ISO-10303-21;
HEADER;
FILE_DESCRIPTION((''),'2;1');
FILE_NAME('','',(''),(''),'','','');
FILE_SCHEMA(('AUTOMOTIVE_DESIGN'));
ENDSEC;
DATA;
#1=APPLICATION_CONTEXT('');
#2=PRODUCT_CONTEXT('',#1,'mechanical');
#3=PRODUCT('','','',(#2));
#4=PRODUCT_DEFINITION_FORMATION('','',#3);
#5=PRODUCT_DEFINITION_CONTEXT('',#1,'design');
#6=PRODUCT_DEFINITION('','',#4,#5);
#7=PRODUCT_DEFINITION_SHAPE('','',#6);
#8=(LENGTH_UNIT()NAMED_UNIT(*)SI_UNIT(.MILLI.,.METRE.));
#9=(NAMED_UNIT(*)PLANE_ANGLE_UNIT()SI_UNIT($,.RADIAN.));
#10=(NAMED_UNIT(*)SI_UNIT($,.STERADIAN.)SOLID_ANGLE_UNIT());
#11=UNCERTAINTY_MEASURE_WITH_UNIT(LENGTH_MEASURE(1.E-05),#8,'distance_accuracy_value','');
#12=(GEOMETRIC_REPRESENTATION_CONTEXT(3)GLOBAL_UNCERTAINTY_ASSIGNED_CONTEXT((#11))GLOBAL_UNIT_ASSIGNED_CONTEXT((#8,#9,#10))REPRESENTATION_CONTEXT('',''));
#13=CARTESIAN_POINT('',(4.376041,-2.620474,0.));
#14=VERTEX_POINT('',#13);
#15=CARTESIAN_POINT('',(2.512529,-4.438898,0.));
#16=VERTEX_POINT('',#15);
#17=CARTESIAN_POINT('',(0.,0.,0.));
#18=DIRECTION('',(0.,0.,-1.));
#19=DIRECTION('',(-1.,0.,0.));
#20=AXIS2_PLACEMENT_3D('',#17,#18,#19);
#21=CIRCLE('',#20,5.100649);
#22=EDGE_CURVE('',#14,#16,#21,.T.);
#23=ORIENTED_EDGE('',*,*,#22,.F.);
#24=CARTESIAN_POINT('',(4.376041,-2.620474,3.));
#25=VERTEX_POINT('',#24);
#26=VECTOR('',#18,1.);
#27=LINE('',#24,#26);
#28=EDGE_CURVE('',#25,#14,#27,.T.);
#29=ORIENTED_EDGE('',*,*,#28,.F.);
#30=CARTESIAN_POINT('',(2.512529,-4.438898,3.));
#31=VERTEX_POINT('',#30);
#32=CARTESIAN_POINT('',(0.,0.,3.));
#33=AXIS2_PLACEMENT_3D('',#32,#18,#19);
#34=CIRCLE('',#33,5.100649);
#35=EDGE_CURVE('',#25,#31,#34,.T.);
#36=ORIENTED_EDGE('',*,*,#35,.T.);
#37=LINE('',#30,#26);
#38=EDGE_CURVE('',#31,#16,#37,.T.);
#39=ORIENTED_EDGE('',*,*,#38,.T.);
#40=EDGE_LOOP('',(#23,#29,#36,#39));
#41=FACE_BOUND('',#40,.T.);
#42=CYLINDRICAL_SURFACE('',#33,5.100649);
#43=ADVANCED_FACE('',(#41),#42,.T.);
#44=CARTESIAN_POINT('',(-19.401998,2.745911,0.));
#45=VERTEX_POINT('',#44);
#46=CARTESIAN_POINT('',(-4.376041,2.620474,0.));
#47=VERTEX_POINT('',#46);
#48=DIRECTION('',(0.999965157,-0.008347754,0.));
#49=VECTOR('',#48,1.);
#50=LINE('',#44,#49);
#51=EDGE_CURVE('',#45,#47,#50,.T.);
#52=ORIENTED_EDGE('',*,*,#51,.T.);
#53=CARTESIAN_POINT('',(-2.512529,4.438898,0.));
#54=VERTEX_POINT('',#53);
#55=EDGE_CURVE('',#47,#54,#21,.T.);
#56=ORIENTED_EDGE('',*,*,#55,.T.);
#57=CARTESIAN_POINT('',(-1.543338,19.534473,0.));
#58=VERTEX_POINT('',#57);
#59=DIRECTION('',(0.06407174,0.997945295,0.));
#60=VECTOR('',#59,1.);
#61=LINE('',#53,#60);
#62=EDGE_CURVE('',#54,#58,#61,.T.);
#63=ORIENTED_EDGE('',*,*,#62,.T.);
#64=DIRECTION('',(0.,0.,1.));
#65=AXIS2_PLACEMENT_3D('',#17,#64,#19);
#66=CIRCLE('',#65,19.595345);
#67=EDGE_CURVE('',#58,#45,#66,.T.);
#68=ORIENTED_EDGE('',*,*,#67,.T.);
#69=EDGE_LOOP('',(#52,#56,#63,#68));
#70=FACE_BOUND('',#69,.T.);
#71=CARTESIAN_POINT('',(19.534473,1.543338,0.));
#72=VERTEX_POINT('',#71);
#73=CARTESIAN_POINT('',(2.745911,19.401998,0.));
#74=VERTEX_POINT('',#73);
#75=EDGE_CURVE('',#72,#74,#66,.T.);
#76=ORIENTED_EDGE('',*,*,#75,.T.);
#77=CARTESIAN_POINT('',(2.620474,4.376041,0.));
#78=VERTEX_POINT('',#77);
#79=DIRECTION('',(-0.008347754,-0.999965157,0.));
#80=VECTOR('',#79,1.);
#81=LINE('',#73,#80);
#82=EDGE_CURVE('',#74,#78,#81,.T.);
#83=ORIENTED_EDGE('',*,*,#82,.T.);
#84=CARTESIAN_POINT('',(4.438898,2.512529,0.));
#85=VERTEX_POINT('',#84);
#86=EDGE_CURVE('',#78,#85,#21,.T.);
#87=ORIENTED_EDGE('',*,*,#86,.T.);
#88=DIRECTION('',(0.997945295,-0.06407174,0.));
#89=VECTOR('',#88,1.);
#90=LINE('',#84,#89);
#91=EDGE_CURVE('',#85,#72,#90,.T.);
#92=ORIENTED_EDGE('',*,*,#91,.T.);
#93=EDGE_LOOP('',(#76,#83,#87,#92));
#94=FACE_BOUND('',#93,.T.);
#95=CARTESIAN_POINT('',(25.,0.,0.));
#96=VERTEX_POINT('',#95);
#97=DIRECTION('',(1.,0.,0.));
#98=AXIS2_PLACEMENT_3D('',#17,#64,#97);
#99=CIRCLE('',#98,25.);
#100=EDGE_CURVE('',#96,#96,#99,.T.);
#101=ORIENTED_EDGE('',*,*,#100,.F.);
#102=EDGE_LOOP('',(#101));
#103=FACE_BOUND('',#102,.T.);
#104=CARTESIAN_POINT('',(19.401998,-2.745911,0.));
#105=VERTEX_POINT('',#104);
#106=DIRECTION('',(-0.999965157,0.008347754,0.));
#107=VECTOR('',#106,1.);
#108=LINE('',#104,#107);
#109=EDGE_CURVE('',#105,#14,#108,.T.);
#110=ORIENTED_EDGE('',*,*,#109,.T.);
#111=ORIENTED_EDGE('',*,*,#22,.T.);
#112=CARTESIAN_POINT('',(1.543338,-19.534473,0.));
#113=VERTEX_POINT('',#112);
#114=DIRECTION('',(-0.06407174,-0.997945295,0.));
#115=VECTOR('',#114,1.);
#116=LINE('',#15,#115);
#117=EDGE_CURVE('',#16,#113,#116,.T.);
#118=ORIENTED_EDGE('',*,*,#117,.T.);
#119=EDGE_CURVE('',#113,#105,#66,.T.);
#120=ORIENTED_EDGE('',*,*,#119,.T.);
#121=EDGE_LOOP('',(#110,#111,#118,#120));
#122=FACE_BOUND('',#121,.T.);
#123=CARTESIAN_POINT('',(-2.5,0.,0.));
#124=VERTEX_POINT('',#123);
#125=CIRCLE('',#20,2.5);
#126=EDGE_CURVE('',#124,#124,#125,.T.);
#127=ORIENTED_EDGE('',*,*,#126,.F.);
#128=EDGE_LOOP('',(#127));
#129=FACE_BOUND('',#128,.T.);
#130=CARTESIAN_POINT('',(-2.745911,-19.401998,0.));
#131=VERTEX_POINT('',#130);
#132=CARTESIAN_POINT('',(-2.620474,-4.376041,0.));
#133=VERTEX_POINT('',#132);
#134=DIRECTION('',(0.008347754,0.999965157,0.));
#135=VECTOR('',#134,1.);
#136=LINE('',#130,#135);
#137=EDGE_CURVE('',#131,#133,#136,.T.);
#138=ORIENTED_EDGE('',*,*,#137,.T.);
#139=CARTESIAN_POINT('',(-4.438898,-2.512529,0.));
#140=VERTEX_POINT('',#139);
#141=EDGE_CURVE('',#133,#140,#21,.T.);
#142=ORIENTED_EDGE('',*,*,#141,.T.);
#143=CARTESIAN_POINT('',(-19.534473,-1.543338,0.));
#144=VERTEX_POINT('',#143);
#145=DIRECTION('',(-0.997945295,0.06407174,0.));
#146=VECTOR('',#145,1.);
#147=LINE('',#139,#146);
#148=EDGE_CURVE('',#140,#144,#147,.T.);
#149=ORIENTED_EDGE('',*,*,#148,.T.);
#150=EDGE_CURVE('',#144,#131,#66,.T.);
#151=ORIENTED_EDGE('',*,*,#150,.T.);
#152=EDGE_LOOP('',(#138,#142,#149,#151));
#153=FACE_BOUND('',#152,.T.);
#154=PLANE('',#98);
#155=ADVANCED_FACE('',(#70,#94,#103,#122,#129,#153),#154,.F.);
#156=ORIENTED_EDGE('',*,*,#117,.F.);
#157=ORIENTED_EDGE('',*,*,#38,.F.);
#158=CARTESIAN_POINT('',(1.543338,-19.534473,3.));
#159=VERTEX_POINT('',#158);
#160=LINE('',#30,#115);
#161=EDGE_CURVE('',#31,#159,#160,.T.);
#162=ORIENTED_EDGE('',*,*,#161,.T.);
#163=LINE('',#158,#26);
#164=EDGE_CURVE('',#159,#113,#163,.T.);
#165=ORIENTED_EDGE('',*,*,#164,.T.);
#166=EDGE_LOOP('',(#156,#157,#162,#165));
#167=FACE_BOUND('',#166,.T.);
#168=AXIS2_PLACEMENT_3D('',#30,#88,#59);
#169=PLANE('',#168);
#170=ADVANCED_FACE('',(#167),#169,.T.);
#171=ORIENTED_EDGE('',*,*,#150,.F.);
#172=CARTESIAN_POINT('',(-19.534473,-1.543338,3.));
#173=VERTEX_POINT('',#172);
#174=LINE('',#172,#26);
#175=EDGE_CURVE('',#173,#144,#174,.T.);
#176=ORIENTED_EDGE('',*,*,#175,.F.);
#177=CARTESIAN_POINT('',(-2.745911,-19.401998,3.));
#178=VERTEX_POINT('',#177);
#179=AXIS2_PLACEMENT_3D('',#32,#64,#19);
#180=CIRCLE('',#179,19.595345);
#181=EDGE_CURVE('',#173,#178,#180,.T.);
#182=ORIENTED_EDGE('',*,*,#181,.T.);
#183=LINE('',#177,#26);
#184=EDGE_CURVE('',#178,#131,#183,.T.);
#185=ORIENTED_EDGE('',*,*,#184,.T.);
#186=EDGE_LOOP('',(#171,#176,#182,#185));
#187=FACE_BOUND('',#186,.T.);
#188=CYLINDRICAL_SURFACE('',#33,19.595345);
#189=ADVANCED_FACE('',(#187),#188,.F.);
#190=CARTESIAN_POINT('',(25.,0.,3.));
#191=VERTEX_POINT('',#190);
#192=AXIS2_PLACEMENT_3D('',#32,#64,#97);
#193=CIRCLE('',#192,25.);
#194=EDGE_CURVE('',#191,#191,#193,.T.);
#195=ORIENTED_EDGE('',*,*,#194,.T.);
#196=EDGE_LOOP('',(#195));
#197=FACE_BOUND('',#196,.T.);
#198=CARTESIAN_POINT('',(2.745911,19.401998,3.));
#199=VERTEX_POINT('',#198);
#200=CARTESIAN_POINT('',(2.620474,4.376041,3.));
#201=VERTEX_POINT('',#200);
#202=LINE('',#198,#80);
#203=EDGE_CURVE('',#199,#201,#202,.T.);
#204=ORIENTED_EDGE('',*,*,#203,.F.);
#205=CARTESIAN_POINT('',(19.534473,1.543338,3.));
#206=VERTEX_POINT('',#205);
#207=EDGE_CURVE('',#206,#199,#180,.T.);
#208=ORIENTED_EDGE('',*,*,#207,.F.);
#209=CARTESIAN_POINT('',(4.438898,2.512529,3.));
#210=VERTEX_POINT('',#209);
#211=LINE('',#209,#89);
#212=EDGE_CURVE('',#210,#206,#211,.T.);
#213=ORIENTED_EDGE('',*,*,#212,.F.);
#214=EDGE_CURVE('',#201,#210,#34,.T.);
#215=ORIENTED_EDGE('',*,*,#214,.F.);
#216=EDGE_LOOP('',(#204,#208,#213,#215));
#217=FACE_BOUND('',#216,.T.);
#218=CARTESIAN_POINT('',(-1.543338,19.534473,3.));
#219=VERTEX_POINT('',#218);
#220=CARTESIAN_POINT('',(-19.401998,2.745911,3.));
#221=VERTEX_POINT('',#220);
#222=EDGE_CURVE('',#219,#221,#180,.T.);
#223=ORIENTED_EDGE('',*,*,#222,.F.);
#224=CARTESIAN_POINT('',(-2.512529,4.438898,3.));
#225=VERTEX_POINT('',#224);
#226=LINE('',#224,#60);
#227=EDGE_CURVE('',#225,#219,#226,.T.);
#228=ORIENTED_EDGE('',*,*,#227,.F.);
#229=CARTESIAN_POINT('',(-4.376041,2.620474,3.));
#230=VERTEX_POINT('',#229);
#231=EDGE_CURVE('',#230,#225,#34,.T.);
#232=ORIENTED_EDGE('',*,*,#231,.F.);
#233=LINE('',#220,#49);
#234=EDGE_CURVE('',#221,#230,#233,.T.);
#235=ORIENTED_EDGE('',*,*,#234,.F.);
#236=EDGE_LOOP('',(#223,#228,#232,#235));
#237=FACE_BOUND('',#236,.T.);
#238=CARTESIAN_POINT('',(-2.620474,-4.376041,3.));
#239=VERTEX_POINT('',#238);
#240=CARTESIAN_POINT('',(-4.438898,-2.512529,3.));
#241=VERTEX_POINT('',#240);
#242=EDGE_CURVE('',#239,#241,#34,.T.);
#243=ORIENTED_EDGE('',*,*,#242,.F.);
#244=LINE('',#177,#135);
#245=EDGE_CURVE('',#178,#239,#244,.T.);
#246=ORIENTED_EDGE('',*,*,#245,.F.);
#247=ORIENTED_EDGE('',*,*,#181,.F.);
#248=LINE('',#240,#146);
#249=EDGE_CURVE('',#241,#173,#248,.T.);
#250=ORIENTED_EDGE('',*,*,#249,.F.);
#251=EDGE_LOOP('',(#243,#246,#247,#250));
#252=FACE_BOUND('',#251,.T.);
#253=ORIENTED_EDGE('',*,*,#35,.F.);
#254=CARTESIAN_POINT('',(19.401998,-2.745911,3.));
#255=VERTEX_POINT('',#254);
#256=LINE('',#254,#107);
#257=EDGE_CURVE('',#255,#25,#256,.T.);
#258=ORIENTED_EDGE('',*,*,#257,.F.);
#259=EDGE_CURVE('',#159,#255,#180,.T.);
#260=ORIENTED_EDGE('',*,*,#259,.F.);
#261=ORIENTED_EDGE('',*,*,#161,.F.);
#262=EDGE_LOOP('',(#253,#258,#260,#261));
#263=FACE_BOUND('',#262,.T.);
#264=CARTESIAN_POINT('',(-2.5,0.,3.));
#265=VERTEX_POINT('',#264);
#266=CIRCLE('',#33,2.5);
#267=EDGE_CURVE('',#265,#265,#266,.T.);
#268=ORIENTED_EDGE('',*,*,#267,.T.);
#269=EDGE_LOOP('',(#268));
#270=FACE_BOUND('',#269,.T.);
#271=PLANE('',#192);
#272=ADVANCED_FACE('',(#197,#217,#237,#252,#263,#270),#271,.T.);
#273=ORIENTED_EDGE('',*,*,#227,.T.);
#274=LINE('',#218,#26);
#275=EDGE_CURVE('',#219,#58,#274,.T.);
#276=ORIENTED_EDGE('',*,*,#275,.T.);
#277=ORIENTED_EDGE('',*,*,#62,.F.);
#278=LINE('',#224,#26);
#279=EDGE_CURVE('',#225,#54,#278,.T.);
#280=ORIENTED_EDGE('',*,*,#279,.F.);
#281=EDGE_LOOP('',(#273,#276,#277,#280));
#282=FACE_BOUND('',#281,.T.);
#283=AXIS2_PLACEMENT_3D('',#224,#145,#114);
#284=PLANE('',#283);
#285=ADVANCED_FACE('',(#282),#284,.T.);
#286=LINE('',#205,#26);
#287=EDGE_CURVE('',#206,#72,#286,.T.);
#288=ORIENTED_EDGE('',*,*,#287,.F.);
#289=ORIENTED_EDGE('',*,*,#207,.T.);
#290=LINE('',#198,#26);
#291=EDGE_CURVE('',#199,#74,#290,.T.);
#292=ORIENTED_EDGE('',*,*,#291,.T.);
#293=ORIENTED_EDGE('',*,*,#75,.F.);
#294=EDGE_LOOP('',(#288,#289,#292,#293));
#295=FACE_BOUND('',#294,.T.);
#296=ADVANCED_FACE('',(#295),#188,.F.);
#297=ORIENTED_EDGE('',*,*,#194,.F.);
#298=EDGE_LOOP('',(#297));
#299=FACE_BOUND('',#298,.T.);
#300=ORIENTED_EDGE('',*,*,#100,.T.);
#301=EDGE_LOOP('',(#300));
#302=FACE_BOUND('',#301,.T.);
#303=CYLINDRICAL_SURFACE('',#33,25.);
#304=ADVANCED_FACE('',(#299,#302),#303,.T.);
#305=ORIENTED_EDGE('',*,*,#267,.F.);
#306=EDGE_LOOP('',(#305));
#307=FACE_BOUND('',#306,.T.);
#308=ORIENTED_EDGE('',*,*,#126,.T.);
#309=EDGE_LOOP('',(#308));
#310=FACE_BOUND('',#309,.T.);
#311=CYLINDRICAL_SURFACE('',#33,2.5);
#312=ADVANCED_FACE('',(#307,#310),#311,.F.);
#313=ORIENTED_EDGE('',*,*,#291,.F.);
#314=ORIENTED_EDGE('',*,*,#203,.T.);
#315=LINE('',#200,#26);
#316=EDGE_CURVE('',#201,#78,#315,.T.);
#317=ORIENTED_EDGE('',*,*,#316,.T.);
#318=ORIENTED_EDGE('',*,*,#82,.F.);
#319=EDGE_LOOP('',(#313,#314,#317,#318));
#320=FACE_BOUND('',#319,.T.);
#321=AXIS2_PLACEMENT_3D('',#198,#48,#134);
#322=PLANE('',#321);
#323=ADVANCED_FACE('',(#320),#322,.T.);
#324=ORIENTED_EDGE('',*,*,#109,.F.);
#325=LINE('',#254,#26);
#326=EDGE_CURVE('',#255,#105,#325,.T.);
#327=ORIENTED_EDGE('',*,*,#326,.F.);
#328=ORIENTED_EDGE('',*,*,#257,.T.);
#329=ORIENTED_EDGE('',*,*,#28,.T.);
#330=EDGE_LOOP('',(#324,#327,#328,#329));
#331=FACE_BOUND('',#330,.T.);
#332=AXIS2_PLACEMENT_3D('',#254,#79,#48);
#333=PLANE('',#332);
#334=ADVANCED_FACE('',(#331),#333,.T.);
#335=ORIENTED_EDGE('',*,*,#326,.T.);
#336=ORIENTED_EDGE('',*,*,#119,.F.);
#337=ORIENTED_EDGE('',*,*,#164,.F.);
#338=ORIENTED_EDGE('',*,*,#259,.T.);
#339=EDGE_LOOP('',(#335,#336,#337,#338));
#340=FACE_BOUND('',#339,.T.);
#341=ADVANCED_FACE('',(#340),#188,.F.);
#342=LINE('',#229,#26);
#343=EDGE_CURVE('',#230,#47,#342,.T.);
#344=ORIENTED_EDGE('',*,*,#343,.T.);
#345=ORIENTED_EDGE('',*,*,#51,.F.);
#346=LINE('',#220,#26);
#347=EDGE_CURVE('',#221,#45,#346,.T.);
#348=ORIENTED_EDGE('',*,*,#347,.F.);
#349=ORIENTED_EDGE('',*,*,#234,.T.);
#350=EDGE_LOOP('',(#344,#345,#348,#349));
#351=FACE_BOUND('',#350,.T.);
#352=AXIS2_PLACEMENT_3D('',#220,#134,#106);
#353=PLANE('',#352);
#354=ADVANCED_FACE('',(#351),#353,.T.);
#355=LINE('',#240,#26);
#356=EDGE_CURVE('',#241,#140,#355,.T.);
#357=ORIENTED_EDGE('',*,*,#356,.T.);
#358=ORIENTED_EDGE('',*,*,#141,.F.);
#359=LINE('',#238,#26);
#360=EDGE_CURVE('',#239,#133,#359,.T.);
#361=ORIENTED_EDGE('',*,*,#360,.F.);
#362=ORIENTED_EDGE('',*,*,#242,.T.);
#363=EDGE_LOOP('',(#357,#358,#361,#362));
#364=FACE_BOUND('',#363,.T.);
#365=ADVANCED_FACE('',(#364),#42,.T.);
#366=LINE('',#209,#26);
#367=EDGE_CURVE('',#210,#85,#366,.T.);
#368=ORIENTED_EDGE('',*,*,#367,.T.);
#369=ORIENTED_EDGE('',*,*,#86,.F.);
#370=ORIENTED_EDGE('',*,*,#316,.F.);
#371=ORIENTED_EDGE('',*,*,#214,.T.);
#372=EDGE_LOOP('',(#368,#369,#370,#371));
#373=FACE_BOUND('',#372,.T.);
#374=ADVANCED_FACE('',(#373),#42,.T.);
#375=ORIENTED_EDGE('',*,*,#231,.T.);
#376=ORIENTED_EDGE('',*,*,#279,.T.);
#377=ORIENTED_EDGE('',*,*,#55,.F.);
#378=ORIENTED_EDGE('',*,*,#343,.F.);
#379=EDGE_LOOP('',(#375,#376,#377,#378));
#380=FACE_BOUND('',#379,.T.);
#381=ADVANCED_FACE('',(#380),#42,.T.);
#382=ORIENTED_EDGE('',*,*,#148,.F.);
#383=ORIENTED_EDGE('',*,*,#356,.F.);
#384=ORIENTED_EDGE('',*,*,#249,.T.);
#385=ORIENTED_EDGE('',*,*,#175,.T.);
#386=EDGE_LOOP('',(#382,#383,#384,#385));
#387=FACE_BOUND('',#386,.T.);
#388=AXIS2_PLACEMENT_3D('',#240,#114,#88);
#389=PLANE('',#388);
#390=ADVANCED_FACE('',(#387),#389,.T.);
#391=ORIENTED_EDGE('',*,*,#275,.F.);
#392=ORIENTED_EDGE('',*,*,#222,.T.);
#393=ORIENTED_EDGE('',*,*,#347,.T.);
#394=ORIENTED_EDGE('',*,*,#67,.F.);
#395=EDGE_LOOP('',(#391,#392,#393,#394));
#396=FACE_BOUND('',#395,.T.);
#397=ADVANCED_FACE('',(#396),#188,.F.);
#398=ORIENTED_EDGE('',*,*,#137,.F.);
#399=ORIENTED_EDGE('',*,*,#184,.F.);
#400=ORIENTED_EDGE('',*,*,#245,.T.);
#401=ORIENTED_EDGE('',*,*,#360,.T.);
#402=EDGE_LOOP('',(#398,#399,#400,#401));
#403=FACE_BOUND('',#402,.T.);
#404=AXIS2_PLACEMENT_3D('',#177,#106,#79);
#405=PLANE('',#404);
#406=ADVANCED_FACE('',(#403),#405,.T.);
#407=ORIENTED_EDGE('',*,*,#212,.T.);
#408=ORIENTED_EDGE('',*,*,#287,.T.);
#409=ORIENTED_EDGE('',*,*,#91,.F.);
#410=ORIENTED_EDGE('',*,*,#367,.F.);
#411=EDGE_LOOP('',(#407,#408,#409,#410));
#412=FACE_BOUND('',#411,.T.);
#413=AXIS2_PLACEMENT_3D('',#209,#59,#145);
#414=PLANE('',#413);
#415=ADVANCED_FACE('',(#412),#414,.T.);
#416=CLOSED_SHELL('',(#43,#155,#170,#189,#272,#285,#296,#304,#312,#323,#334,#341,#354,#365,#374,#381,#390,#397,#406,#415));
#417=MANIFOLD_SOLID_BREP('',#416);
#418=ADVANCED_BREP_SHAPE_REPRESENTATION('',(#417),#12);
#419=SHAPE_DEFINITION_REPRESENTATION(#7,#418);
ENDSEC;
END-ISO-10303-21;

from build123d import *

# Parameters (mm, degrees)
SKETCH1_R               = 25
BOSS_EXTRUDE1_DEPTH     = 3
CUT_EXTRUDE1_DEPTH      = 36.482389998
CUT_EXTRUDE1_DEPTH_BACK = 36.482389998
SKETCH2_R               = 2.5


with BuildPart() as part:
    # Sketch1 → Boss-Extrude1 (new body)
    with BuildSketch(Plane.XY):
        Circle(SKETCH1_R)
        with BuildLine():
            Line((2.745911262, 19.401997604), (2.620473901, 4.376040727))
            ThreePointArc((2.620473901, 4.376040727), (3.650596033, 3.562269574), (4.438897848, 2.512528966))
            Line((4.438897848, 2.512528966), (19.534473328, 1.54333777))
            ThreePointArc((19.534473328, 1.54333777), (14.277143171, 13.42165126), (2.745911262, 19.401997604))
        make_face(mode=Mode.SUBTRACT)
        with BuildLine():
            Line((2.512528966, -4.438897848), (1.54333777, -19.534473328))
            ThreePointArc((1.54333777, -19.534473328), (13.42165126, -14.277143171), (19.401997604, -2.745911262))
            Line((19.401997604, -2.745911262), (4.376040727, -2.620473901))
            ThreePointArc((4.376040727, -2.620473901), (3.562269574, -3.650596033), (2.512528966, -4.438897848))
        make_face(mode=Mode.SUBTRACT)
        with BuildLine():
            Line((-4.438897848, -2.512528966), (-19.534473328, -1.54333777))
            ThreePointArc((-19.534473328, -1.54333777), (-14.277143171, -13.42165126), (-2.745911262, -19.401997604))
            Line((-2.745911262, -19.401997604), (-2.620473901, -4.376040727))
            ThreePointArc((-2.620473901, -4.376040727), (-3.650596033, -3.562269574), (-4.438897848, -2.512528966))
        make_face(mode=Mode.SUBTRACT)
        with BuildLine():
            Line((-2.512528966, 4.438897848), (-1.54333777, 19.534473328))
            ThreePointArc((-1.54333777, 19.534473328), (-13.42165126, 14.277143171), (-19.401997604, 2.745911262))
            Line((-19.401997604, 2.745911262), (-4.376040727, 2.620473901))
            ThreePointArc((-4.376040727, 2.620473901), (-3.562269574, 3.650596033), (-2.512528966, 4.438897848))
        make_face(mode=Mode.SUBTRACT)
    extrude(amount=BOSS_EXTRUDE1_DEPTH)

    # Sketch2 → Cut-Extrude1 (cut, two sides: drawn at the far end of the back side and taken through both)
    with BuildSketch(Plane(origin=(0, 0, 0), x_dir=(-1, 0, 0), z_dir=(0, 0, -1)).offset(-CUT_EXTRUDE1_DEPTH_BACK)):
        Circle(SKETCH2_R)
    extrude(amount=CUT_EXTRUDE1_DEPTH + CUT_EXTRUDE1_DEPTH_BACK, mode=Mode.SUBTRACT)


solid = part.part
